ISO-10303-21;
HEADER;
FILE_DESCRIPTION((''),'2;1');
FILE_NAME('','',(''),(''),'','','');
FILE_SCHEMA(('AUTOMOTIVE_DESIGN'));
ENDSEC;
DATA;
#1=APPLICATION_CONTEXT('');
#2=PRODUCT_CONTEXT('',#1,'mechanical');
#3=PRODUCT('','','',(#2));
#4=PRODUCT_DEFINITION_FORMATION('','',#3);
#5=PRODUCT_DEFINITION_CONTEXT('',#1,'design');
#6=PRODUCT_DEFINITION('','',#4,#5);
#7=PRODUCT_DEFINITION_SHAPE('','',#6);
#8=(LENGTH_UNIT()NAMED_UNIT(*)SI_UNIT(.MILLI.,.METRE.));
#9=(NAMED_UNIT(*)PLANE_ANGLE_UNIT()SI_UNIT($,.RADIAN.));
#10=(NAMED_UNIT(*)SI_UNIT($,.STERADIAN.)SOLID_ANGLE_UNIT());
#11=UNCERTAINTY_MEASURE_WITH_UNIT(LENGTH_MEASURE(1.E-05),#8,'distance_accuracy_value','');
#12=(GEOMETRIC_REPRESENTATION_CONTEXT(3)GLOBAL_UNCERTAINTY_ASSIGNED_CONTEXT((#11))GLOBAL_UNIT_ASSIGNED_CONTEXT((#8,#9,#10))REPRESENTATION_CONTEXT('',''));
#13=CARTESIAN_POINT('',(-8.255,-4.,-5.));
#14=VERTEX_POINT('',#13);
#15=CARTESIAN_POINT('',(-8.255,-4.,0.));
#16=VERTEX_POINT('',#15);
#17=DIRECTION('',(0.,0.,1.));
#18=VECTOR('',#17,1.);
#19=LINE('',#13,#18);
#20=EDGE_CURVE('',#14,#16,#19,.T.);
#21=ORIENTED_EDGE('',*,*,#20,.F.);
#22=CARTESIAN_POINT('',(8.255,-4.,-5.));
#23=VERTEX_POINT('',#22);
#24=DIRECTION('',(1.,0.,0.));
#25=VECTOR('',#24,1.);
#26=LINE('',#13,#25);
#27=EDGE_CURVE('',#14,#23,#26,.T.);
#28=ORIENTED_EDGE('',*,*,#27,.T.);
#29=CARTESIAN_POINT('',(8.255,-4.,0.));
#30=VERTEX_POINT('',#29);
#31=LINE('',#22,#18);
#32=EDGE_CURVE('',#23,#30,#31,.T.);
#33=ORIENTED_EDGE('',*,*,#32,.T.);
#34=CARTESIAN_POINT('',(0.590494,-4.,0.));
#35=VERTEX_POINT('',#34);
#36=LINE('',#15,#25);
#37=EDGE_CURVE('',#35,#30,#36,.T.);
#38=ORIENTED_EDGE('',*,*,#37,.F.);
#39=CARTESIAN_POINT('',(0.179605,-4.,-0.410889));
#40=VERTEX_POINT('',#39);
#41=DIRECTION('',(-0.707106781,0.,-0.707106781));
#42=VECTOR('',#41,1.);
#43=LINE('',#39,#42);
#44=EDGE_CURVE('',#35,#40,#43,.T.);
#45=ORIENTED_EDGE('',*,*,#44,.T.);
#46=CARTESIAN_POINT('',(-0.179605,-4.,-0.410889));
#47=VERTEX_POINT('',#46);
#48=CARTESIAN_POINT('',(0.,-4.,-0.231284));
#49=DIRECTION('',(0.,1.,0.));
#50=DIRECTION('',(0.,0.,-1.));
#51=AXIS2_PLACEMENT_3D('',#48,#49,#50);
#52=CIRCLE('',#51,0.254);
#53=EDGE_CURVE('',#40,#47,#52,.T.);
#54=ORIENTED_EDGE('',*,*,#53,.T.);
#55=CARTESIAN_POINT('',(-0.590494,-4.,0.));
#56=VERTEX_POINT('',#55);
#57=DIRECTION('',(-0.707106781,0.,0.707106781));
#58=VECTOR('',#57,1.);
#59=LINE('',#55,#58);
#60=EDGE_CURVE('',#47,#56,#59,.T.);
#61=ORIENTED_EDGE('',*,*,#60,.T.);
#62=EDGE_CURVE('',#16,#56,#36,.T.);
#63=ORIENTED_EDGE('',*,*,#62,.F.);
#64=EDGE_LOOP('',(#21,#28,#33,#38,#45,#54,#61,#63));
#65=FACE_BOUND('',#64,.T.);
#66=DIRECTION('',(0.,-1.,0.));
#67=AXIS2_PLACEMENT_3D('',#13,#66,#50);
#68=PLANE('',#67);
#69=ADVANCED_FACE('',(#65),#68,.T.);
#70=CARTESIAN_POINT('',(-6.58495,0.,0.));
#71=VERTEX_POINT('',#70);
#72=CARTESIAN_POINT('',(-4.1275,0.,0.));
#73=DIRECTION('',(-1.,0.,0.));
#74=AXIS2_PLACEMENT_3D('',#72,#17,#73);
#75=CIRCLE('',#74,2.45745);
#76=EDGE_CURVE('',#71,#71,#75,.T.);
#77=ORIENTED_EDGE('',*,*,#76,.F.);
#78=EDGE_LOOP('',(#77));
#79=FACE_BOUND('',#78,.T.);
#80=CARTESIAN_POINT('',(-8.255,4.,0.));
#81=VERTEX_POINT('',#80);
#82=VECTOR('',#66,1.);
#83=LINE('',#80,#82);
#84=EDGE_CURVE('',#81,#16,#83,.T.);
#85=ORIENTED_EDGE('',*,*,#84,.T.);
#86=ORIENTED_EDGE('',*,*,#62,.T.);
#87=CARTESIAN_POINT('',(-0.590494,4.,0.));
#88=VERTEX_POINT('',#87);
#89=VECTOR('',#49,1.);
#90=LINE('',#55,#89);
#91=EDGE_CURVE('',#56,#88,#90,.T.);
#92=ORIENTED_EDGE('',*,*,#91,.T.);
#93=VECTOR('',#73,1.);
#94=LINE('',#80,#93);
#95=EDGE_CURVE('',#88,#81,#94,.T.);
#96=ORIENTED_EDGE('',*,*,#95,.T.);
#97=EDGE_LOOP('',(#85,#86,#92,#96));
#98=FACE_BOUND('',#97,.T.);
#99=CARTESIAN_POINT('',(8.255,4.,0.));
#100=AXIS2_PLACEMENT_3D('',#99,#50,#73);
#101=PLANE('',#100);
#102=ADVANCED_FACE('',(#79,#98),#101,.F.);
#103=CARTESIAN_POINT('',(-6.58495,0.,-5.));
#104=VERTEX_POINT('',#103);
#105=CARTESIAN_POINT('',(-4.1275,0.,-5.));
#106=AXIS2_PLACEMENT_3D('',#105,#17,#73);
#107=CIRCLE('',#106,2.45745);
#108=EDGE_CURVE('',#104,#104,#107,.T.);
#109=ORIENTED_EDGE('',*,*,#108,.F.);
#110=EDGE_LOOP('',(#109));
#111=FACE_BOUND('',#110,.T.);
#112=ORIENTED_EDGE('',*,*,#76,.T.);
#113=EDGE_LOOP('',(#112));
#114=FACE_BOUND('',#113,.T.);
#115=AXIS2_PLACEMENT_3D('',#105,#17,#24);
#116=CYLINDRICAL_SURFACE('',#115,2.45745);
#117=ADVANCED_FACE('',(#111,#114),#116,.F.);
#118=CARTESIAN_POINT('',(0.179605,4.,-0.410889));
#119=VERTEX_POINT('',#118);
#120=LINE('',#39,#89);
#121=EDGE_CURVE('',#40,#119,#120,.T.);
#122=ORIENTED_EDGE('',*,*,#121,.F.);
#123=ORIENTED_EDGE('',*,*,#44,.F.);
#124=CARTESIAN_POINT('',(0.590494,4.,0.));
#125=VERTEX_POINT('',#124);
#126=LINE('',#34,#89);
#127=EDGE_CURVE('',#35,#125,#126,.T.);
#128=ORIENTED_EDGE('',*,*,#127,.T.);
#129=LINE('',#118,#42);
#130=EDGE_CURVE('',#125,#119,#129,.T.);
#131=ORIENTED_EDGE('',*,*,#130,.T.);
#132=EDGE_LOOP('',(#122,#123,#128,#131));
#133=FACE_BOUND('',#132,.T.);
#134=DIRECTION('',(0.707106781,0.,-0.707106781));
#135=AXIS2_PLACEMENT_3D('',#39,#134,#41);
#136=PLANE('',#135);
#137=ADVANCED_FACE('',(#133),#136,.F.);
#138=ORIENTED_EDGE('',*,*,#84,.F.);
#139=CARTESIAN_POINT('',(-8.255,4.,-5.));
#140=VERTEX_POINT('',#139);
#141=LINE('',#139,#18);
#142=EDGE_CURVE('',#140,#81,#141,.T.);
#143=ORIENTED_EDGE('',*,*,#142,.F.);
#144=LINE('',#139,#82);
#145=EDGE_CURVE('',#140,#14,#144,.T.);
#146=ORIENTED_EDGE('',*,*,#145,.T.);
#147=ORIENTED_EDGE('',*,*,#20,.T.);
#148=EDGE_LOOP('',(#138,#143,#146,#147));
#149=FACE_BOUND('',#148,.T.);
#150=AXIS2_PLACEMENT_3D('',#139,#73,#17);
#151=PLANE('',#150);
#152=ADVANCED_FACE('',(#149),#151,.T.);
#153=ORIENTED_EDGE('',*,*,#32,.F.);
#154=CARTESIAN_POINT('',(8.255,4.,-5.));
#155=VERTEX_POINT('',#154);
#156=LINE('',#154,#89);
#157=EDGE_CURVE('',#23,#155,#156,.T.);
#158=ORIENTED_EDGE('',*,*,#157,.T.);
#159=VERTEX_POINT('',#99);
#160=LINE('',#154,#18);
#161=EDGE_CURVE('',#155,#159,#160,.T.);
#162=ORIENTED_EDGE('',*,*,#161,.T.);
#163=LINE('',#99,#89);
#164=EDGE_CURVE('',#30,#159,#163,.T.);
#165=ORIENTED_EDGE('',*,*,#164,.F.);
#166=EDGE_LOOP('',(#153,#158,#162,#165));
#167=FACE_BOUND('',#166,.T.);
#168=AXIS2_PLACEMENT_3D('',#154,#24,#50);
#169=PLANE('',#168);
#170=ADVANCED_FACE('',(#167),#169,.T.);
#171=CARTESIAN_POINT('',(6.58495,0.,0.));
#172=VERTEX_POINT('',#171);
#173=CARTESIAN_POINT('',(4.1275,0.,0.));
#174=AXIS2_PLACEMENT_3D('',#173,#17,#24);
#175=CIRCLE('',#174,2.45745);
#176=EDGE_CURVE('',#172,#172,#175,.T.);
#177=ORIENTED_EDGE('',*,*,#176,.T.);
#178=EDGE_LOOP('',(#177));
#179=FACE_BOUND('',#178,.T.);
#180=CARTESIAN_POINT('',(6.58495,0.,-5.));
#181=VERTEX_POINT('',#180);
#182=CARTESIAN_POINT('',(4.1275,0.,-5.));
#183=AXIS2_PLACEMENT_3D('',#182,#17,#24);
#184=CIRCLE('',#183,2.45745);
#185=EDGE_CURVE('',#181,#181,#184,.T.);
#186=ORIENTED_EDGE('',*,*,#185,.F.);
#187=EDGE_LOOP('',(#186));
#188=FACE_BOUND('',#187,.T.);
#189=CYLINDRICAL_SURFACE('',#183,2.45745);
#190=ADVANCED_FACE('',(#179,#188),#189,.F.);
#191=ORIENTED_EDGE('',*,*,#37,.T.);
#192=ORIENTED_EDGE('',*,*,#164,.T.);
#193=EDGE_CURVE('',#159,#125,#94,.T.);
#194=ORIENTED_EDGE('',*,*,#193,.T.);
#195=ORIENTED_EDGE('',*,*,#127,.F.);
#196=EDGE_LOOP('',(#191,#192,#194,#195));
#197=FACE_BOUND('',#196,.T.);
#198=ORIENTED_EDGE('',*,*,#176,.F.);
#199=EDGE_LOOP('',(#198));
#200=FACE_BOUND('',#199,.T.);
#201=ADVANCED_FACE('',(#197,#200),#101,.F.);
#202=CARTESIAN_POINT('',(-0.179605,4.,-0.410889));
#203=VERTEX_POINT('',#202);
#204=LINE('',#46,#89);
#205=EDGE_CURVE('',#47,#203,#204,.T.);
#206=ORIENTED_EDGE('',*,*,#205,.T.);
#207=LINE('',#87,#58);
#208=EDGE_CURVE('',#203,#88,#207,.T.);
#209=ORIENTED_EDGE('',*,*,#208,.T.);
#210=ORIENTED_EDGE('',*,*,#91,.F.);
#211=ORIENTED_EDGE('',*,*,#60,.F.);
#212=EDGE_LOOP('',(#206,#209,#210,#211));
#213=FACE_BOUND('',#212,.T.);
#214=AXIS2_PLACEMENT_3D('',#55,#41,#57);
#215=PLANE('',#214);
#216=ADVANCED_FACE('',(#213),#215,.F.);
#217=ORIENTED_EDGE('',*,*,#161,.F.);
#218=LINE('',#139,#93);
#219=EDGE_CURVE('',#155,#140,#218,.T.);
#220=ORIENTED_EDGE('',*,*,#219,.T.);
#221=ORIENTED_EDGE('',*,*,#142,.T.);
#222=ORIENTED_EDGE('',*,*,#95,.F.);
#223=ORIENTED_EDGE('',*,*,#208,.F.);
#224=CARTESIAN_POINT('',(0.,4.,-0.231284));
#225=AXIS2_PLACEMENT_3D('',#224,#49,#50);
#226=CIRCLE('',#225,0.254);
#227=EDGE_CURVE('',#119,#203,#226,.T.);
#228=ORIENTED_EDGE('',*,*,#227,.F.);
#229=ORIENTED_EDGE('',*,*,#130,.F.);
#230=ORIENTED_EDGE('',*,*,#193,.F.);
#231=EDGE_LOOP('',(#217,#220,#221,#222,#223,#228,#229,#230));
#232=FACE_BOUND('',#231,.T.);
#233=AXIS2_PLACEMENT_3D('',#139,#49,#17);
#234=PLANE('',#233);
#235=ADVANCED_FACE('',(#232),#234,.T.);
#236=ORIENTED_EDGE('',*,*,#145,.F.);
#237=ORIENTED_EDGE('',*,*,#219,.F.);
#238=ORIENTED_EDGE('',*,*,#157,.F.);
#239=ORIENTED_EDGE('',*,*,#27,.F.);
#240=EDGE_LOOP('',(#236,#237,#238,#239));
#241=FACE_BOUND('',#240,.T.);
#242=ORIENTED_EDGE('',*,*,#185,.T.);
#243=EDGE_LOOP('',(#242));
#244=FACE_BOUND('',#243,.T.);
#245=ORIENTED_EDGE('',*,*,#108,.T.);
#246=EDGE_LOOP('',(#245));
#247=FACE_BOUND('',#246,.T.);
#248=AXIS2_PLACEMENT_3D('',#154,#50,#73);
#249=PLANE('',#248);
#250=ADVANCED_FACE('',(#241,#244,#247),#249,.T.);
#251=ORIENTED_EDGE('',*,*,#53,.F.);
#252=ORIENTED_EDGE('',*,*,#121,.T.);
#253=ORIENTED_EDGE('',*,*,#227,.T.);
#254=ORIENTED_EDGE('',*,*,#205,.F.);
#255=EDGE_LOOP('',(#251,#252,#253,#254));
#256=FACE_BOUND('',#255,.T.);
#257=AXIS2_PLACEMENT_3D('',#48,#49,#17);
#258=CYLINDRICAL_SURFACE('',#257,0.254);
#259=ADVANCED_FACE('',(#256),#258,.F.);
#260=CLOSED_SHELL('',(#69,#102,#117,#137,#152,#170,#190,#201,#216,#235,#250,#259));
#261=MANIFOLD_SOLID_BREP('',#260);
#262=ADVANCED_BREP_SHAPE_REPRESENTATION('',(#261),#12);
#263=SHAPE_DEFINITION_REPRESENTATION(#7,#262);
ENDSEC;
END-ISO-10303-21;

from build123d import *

# Parameters (mm, degrees)
SKETCH2_W               = 16.51
SKETCH2_H               = 8
SKETCH2_R               = 2.45745
BASE_EXTRUDE_DEPTH      = 5
CUT_EXTRUDE2_DEPTH      = 5
CUT_EXTRUDE2_DEPTH_BACK = 5


with BuildPart() as part:
    # Sketch2 → Base-Extrude (new body)
    with BuildSketch(Plane.XY):
        Rectangle(SKETCH2_W, SKETCH2_H)
        with Locations((4.1275, 0)):
            Circle(SKETCH2_R, mode=Mode.SUBTRACT)
        with Locations(Location((-4.1275, 0, 0), (0, 0, 180))):  # turned: the seam where the file's is
            Circle(SKETCH2_R, mode=Mode.SUBTRACT)
    extrude(amount=-BASE_EXTRUDE_DEPTH)

    # Sketch3 → Cut-Extrude2 (cut, two sides)
    with BuildSketch(Plane(origin=(0, 0, 0), x_dir=(-1, 0, 0), z_dir=(0, 1, 0))) as cut_extrude2_sk:
        with BuildLine():
            Line((0.590493938, 0), (0.179605122, -0.410888816))
            ThreePointArc((0.179605122, -0.410888816), (0, -0.485283694), (-0.179605122, -0.410888816))
            Line((-0.179605122, -0.410888816), (-0.590493938, 0))
            Line((-0.590493938, 0), (0.590493938, 0))
        make_face()
    extrude(amount=CUT_EXTRUDE2_DEPTH, mode=Mode.SUBTRACT)
    extrude(cut_extrude2_sk.sketch, amount=-CUT_EXTRUDE2_DEPTH_BACK, mode=Mode.SUBTRACT)


solid = part.part
